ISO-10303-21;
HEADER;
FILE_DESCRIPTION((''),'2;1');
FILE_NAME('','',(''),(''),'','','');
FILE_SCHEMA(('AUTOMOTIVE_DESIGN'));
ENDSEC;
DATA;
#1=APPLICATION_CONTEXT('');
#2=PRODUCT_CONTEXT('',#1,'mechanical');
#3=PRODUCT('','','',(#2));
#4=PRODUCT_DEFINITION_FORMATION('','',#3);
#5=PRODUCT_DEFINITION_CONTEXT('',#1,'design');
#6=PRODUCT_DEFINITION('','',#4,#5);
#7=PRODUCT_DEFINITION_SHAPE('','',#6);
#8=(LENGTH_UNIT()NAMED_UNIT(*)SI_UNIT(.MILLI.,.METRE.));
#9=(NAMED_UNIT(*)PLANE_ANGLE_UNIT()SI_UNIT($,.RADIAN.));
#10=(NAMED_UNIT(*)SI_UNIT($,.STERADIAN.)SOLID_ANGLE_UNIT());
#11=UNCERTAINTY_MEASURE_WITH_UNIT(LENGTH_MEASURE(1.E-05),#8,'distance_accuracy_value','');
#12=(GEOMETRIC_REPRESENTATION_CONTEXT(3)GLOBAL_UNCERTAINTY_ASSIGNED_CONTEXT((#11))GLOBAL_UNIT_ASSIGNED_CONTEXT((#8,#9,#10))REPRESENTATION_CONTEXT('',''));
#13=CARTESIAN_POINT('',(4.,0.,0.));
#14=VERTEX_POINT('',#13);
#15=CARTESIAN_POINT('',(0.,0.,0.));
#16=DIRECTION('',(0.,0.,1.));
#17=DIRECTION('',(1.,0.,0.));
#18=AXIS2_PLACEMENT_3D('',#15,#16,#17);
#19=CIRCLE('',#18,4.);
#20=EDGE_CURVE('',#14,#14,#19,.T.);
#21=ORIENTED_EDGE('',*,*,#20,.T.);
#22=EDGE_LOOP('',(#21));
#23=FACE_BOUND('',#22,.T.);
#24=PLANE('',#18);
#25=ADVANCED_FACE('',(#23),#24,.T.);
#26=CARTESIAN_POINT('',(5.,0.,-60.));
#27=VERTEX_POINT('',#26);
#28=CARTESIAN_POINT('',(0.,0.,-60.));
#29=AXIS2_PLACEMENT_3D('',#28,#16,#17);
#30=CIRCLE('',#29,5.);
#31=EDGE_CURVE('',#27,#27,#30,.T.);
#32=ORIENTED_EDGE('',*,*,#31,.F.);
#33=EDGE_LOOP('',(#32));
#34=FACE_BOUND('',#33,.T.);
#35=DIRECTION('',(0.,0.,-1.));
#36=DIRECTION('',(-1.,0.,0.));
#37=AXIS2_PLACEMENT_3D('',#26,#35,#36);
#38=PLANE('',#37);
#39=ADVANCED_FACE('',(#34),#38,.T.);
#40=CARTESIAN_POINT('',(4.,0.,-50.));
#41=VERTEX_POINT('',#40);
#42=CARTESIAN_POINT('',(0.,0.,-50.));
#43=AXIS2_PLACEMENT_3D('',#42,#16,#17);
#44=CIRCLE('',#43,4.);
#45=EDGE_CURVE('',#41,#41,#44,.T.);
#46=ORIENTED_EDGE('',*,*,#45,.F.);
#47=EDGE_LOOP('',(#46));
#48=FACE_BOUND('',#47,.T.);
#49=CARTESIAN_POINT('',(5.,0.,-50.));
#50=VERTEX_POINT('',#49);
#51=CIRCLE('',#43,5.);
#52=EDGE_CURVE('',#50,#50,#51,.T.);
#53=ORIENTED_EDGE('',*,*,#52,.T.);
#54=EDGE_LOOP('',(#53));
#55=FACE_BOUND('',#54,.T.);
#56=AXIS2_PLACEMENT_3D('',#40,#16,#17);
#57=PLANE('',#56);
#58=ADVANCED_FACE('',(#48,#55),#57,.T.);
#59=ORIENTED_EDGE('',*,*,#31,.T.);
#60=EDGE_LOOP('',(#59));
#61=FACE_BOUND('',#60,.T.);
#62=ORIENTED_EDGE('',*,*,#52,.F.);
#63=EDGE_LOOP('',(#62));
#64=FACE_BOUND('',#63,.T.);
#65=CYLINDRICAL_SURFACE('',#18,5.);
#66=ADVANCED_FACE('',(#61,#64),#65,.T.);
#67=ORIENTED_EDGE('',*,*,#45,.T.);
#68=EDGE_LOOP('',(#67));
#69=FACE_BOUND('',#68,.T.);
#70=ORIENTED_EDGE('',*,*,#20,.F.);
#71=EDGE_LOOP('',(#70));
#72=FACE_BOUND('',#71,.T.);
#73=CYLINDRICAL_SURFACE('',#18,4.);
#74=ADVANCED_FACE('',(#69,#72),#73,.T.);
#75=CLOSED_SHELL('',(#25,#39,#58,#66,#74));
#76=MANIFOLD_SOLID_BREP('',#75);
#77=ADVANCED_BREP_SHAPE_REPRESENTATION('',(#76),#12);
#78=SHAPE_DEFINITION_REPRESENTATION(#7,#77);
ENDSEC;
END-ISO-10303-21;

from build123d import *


with BuildPart() as part:
    # Sketch1 → Revolve1 (revolve)
    with BuildSketch(Plane(origin=(0, 0, 0), x_dir=(1, 0, 0), z_dir=(0, 1, 0))):
        Polygon((0, 0), (4, 0), (4, 50), (5, 50), (5, 60), (0, 60), align=None)
    revolve(axis=Axis((0, 0, 0), (0, 0, -1)))


solid = part.part
